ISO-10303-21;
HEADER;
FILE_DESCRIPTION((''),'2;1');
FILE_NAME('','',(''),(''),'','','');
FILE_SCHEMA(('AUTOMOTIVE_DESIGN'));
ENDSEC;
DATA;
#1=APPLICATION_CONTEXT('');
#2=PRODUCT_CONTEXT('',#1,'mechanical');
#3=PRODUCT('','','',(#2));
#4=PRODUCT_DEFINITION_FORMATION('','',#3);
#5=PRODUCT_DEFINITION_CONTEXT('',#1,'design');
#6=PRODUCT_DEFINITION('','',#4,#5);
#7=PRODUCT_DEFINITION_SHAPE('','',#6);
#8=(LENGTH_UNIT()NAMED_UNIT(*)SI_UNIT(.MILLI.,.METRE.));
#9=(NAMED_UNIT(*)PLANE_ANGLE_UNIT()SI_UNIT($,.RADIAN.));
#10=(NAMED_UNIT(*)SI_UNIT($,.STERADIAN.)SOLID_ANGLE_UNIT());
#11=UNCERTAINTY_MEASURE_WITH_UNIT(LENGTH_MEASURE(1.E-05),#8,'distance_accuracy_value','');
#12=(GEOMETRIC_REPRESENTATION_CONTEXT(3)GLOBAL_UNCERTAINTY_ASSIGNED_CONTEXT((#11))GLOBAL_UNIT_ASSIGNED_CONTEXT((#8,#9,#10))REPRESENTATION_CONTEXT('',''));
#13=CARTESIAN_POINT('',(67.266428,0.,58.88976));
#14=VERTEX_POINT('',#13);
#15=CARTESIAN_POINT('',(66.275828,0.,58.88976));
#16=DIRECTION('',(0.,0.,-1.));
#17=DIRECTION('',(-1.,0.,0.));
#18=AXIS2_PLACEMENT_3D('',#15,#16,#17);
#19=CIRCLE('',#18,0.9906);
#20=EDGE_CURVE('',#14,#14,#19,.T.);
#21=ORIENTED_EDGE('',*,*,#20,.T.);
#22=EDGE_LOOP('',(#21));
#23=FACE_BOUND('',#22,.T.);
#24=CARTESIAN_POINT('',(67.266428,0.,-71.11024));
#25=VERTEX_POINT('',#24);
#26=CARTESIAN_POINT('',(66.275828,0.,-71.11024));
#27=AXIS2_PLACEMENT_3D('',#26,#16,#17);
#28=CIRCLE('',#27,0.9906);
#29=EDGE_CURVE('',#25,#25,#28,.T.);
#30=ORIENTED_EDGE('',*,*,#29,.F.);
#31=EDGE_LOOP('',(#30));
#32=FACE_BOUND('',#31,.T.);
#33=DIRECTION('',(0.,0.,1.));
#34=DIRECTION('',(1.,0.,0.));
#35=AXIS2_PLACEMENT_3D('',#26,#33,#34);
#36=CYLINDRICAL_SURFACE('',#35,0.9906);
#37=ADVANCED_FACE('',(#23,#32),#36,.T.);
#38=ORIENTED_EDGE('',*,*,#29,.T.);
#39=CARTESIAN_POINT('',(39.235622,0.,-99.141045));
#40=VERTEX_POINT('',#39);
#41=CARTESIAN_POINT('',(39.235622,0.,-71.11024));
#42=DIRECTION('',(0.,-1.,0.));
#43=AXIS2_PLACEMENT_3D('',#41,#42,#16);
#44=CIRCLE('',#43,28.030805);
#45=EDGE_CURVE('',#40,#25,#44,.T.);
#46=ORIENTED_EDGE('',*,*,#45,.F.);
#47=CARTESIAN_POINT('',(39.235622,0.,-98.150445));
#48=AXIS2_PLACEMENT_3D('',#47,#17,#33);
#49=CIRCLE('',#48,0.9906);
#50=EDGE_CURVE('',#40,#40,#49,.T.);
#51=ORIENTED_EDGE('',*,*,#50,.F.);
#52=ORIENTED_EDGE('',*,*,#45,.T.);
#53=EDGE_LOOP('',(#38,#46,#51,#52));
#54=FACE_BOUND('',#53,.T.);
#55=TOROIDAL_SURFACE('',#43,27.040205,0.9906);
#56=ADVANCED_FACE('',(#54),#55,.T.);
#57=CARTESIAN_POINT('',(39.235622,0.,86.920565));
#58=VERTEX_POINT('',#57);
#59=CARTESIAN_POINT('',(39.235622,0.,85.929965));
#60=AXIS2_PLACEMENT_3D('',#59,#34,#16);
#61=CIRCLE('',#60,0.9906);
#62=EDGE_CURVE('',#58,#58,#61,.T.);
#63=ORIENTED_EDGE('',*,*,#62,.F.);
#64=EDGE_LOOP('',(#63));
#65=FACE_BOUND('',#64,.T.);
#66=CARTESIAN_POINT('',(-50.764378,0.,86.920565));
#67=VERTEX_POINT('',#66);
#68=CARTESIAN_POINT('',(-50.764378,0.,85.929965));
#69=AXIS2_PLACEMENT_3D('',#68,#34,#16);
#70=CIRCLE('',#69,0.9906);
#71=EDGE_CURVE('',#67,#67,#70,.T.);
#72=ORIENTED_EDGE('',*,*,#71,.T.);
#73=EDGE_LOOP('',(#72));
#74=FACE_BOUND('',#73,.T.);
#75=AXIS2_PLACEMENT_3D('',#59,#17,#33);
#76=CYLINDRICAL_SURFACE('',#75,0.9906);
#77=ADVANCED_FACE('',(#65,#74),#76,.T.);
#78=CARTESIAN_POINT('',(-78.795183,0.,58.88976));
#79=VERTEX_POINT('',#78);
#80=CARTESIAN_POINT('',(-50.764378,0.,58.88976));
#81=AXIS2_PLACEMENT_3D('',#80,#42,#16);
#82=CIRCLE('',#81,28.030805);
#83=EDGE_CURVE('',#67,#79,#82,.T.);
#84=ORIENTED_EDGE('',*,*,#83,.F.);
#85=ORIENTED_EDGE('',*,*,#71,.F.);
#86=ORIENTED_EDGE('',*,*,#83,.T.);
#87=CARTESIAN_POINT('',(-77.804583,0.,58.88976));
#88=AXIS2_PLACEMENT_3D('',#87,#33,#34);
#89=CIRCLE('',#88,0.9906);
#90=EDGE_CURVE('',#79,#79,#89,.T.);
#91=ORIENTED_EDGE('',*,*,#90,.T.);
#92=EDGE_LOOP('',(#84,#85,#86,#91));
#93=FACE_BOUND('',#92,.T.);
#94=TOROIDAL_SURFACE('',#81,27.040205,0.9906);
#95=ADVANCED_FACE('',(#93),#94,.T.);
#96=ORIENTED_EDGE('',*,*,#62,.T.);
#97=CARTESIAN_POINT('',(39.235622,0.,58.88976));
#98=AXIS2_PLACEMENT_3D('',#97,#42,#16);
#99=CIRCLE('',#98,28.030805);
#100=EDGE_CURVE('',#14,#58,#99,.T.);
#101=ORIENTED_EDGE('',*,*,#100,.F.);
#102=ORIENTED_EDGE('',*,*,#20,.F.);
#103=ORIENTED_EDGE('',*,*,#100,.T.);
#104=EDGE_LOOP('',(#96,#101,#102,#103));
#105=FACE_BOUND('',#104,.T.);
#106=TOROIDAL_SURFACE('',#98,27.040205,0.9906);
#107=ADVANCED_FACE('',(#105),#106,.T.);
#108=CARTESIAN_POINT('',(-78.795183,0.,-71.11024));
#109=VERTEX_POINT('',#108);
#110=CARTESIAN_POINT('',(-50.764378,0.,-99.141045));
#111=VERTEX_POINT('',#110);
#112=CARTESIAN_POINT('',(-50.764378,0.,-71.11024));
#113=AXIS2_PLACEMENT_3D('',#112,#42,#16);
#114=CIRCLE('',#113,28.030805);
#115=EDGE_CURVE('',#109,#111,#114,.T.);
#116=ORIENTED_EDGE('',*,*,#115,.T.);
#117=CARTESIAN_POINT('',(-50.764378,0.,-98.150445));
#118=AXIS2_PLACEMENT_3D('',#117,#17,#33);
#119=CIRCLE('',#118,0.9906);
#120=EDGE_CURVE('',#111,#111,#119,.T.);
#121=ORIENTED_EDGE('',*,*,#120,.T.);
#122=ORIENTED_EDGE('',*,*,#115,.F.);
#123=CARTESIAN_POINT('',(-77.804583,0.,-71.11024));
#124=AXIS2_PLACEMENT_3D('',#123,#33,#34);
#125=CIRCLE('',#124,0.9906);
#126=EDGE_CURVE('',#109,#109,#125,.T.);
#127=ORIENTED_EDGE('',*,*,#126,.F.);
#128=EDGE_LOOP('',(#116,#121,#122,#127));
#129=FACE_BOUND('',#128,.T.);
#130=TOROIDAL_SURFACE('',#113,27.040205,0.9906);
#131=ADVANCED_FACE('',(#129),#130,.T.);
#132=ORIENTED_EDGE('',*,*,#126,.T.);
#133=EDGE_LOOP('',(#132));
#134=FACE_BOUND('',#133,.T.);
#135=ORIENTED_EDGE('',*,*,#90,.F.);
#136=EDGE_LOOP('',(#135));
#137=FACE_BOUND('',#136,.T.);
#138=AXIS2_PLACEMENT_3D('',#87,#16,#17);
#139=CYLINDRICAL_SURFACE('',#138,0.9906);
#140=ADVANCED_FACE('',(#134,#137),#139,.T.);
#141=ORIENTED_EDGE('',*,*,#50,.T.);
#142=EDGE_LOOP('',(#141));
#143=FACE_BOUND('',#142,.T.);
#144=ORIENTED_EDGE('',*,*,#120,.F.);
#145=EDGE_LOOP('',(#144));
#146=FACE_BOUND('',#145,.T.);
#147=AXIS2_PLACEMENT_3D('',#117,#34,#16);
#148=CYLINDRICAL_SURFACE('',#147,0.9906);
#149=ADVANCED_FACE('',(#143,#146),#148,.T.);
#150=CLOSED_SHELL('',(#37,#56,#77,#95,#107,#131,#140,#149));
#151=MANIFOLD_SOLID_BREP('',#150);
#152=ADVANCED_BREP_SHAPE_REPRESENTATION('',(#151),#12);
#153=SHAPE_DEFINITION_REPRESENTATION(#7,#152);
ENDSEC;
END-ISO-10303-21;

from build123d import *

# Parameters (mm, degrees)
SKETCH2_R = 0.9906


with BuildPart() as part:
    # Sweep1: sweep along a path in Sketch1
    with BuildLine(Plane(origin=(0, 0, 0), x_dir=(1, 0, 0), z_dir=(0, 1, 0))) as sweep1_path:
        Line((66.275827552, -58.889759794), (66.275827552, 71.110240206))
        ThreePointArc((66.275827552, 71.110240206), (58.355934841, 90.2305526), (39.235622447, 98.150445311))
        Line((39.235622447, 98.150445311), (-50.764377553, 98.150445311))
        ThreePointArc((-50.764377553, 98.150445311), (-69.884689947, 90.2305526), (-77.804582658, 71.110240206))
        Line((-77.804582658, 71.110240206), (-77.804582658, -58.889759794))
        ThreePointArc((-77.804582658, -58.889759794), (-69.884689947, -78.010072188), (-50.764377553, -85.929964899))
        Line((-50.764377553, -85.929964899), (39.235622447, -85.929964899))
        ThreePointArc((39.235622447, -85.929964899), (58.355934841, -78.010072188), (66.275827552, -58.889759794))
    # Sketch2 → Sweep1 (sweep)
    with BuildSketch(Plane(origin=(66.275827552, 0, -71.110240206), x_dir=(-1, 0, 0), z_dir=(0, 0, -1))):
        Circle(SKETCH2_R)
    sweep(path=sweep1_path.line)


solid = part.part
